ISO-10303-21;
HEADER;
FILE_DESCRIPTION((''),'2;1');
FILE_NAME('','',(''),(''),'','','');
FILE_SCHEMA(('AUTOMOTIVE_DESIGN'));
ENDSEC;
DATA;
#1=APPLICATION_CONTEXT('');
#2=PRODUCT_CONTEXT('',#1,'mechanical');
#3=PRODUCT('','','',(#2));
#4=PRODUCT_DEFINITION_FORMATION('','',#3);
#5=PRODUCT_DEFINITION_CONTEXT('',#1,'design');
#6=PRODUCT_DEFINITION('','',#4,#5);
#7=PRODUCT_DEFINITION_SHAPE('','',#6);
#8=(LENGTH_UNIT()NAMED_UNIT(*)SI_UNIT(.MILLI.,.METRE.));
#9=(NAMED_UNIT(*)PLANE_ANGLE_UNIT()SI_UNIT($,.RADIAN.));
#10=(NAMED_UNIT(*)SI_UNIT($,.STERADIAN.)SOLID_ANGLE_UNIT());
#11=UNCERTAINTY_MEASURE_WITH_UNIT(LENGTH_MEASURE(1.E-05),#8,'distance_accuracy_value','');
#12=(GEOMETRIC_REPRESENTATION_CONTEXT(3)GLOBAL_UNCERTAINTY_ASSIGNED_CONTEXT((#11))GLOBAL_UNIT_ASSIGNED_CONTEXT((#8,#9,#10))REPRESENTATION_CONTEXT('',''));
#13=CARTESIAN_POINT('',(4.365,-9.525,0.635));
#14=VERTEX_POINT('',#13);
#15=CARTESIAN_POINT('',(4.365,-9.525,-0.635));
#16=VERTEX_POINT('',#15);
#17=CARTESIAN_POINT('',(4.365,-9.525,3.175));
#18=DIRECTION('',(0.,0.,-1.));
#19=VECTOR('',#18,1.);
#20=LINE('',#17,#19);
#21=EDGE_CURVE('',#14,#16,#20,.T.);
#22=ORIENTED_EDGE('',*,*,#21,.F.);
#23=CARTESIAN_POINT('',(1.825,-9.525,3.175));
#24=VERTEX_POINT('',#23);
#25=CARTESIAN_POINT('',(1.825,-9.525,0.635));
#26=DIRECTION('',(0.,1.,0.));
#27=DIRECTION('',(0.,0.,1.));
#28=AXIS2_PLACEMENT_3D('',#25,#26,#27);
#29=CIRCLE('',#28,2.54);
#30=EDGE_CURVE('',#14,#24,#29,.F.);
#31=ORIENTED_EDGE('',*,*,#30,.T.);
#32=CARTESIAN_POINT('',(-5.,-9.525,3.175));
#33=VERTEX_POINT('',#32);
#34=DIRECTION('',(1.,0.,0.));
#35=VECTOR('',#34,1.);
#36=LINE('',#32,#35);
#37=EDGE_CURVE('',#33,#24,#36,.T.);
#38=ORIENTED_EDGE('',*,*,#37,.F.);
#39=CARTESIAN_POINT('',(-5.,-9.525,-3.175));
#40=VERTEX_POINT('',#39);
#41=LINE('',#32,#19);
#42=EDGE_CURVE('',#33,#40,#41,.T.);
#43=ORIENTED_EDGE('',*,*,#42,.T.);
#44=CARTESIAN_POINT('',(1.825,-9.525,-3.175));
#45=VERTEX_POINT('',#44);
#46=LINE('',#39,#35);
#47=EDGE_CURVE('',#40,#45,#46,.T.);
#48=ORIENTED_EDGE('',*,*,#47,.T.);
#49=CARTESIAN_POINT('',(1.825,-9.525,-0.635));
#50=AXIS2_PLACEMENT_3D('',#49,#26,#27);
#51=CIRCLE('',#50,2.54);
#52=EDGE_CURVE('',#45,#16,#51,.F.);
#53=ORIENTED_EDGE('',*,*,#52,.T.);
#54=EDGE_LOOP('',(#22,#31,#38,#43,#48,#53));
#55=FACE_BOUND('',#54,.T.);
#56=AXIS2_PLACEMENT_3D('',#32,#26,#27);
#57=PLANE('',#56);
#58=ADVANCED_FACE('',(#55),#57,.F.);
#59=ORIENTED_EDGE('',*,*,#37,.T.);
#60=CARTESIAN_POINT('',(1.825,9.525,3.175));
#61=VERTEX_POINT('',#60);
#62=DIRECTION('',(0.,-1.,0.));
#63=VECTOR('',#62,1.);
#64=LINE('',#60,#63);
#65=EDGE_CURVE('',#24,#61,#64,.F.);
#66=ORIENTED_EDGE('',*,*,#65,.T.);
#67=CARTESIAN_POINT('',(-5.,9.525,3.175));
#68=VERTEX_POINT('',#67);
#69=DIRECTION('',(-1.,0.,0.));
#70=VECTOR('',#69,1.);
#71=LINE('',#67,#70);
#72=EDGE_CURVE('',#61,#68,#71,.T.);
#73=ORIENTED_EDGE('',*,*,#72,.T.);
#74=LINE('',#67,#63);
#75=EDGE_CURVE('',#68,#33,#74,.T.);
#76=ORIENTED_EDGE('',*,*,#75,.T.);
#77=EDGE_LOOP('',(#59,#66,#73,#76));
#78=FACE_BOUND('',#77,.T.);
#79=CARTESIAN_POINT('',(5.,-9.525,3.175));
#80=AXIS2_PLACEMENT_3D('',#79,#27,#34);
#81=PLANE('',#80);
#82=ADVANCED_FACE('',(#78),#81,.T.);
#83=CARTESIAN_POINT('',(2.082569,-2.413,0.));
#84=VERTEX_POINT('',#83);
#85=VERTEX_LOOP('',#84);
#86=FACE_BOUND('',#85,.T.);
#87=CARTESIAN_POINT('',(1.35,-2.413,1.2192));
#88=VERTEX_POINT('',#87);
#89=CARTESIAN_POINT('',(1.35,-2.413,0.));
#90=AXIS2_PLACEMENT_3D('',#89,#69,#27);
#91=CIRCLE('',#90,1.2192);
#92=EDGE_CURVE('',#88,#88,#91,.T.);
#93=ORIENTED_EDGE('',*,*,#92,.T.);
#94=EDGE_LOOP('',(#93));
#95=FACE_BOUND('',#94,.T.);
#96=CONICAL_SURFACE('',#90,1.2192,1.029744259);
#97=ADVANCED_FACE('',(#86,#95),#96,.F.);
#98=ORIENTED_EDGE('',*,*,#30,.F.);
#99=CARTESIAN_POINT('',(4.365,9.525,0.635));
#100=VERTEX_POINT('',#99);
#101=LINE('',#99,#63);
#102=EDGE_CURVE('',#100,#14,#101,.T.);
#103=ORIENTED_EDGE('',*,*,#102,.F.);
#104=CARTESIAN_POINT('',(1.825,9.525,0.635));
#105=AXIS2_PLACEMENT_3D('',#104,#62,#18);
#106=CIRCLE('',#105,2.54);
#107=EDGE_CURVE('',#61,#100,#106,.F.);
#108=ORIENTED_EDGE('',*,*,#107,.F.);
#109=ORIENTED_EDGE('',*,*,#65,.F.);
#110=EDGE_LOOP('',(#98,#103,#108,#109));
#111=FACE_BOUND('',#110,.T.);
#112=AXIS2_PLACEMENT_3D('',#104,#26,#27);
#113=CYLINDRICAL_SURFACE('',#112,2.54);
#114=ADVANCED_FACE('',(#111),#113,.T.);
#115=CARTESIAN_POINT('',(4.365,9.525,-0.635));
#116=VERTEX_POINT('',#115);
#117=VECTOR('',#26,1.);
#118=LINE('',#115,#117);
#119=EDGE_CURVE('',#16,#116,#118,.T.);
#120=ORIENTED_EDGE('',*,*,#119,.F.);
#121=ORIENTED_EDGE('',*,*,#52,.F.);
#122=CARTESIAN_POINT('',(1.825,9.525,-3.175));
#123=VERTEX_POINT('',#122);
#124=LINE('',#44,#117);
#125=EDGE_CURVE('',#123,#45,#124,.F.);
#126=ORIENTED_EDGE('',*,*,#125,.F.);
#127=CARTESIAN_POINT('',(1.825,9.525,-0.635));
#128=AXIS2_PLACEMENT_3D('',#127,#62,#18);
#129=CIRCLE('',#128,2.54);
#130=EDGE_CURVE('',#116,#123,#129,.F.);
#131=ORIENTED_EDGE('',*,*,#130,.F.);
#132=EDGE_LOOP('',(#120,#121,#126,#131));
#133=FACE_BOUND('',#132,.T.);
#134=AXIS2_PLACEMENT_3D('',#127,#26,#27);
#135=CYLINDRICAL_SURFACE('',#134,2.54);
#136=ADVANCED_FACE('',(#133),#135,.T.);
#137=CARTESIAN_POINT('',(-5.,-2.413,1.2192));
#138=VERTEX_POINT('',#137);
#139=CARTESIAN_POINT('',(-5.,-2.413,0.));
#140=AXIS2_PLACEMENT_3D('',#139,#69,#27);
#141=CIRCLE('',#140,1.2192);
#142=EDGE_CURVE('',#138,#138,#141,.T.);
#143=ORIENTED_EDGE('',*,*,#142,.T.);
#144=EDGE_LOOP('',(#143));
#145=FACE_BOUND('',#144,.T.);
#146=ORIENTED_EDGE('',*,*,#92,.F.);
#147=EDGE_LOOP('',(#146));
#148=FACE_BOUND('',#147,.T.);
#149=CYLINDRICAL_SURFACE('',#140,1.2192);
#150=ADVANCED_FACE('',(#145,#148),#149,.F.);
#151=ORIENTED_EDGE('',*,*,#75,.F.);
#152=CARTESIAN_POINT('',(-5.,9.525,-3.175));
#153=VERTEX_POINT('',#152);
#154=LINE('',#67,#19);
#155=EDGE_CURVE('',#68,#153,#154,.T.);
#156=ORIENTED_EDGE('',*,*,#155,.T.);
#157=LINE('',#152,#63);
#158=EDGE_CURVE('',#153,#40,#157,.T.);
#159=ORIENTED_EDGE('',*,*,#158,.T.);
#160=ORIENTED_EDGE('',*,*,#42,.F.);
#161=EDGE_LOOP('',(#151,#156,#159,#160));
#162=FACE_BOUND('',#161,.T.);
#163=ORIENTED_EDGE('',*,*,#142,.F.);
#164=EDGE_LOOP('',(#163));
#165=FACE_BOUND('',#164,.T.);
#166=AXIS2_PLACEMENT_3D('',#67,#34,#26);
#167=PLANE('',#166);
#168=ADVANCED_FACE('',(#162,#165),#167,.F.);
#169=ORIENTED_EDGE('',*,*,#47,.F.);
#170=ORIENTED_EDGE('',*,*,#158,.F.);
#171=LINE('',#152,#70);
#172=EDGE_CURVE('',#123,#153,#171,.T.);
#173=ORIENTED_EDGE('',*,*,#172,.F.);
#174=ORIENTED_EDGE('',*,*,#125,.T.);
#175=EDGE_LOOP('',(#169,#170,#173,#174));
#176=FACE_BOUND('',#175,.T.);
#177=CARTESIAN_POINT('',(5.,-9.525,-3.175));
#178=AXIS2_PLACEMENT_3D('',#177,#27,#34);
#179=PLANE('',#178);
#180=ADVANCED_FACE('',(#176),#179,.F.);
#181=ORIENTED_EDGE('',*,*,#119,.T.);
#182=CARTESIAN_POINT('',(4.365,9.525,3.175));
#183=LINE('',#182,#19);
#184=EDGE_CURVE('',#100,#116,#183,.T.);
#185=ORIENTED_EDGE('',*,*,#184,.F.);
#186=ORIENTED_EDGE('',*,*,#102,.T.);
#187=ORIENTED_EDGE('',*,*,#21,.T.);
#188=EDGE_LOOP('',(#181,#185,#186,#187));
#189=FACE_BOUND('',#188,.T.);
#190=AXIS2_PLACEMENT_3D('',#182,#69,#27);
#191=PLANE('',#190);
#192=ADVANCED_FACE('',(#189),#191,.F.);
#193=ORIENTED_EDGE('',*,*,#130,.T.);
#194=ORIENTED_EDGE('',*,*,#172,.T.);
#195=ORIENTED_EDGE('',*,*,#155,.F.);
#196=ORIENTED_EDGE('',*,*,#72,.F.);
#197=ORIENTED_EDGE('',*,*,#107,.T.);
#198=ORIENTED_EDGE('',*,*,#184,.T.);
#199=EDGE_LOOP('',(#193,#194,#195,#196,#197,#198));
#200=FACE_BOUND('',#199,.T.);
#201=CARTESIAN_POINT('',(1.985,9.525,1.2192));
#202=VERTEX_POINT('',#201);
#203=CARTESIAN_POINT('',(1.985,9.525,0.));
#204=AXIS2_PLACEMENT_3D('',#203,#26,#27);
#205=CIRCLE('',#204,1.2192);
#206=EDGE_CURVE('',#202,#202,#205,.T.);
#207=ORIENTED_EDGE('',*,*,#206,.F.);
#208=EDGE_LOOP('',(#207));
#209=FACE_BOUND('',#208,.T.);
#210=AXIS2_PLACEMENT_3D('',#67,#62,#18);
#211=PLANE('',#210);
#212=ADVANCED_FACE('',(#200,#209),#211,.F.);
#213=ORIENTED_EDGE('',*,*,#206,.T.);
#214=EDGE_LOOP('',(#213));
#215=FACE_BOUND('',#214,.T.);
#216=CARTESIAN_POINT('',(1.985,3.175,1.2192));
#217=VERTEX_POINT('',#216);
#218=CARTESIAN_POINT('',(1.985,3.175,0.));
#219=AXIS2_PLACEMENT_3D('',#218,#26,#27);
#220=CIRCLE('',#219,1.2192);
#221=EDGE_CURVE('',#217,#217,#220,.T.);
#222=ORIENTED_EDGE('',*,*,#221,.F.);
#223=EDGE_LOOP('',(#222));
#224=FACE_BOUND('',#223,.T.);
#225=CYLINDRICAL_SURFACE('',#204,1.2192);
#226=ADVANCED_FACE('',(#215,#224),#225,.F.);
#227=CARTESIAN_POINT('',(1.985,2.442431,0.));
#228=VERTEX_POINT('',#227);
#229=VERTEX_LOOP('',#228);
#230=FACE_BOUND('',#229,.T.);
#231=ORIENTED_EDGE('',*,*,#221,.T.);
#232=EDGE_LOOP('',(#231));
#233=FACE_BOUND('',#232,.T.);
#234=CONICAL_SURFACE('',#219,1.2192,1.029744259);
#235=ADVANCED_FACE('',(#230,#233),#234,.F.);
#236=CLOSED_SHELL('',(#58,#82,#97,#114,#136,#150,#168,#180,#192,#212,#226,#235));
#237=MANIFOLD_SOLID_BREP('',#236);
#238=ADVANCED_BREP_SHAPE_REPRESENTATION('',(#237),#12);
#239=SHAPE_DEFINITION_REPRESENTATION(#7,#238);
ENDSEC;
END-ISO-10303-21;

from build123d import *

# Parameters (mm, degrees)
SKETCH1_W                 = 10
SKETCH1_H                 = 19.05
BOSS_EXTRUDE1_DEPTH       = 3.175
F_2_CLEARANCE_HOLE1_D     = 2.4384
F_2_CLEARANCE_HOLE1_DEPTH = 6.35
F_2_CLEARANCE_HOLE1_TIP   = 0.732569267
F_2_CLEARANCE_HOLE2_D     = 2.4384
F_2_CLEARANCE_HOLE2_DEPTH = 6.35
F_2_CLEARANCE_HOLE2_TIP   = 0.732569267
FILLET1_R                 = 1.5875
SKETCH7_W                 = 0.635
SKETCH7_H                 = 6.35
CUT_EXTRUDE1_DEPTH        = 20.05
FILLET2_R                 = 2.54


with BuildPart() as part:
    # Sketch1 → Boss-Extrude1 (new body, symmetric)
    with BuildSketch(Plane.XY):
        Rectangle(SKETCH1_W, SKETCH1_H)
    extrude(amount=BOSS_EXTRUDE1_DEPTH, both=True)

    # #2 Clearance Hole1
    with Locations(Plane(origin=(0, 9.525, 0), x_dir=(-1, 0, 0), z_dir=(0, 1, 0))):
        with Locations((-1.985, 0)):
            Hole(F_2_CLEARANCE_HOLE1_D / 2, depth=F_2_CLEARANCE_HOLE1_DEPTH)
            with Locations((0, 0, -(F_2_CLEARANCE_HOLE1_DEPTH + F_2_CLEARANCE_HOLE1_TIP / 2))):  # 118° drill point
                Cone(0, F_2_CLEARANCE_HOLE1_D / 2, F_2_CLEARANCE_HOLE1_TIP, mode=Mode.SUBTRACT)

    # #2 Clearance Hole2
    with Locations(Plane.ZY.offset(5)):
        with Locations((0, -2.413)):
            Hole(F_2_CLEARANCE_HOLE2_D / 2, depth=F_2_CLEARANCE_HOLE2_DEPTH)
            with Locations((0, 0, -(F_2_CLEARANCE_HOLE2_DEPTH + F_2_CLEARANCE_HOLE2_TIP / 2))):  # 118° drill point
                Cone(0, F_2_CLEARANCE_HOLE2_D / 2, F_2_CLEARANCE_HOLE2_TIP, mode=Mode.SUBTRACT)

    # Fillet1
    fillet1_edges = [part.edges().sort_by_distance(p)[0] for p in [
        (5, 0, 3.175),
        (5, 0, -3.175),
    ]]
    fillet(fillet1_edges, radius=FILLET1_R)

    # Sketch7 → Cut-Extrude1 (cut, through all)
    with BuildSketch(Plane.XZ.offset(9.525)):
        with Locations((4.6825, 0)):
            Rectangle(SKETCH7_W, SKETCH7_H)
    extrude(amount=-CUT_EXTRUDE1_DEPTH, mode=Mode.SUBTRACT)

    # Fillet2
    fillet2_edges = [part.edges().sort_by_distance(p)[0] for p in [
        (4.365, 0, -2.8575),
        (4.365, 0, 2.8575),
    ]]
    fillet(fillet2_edges, radius=FILLET2_R)


solid = part.part
